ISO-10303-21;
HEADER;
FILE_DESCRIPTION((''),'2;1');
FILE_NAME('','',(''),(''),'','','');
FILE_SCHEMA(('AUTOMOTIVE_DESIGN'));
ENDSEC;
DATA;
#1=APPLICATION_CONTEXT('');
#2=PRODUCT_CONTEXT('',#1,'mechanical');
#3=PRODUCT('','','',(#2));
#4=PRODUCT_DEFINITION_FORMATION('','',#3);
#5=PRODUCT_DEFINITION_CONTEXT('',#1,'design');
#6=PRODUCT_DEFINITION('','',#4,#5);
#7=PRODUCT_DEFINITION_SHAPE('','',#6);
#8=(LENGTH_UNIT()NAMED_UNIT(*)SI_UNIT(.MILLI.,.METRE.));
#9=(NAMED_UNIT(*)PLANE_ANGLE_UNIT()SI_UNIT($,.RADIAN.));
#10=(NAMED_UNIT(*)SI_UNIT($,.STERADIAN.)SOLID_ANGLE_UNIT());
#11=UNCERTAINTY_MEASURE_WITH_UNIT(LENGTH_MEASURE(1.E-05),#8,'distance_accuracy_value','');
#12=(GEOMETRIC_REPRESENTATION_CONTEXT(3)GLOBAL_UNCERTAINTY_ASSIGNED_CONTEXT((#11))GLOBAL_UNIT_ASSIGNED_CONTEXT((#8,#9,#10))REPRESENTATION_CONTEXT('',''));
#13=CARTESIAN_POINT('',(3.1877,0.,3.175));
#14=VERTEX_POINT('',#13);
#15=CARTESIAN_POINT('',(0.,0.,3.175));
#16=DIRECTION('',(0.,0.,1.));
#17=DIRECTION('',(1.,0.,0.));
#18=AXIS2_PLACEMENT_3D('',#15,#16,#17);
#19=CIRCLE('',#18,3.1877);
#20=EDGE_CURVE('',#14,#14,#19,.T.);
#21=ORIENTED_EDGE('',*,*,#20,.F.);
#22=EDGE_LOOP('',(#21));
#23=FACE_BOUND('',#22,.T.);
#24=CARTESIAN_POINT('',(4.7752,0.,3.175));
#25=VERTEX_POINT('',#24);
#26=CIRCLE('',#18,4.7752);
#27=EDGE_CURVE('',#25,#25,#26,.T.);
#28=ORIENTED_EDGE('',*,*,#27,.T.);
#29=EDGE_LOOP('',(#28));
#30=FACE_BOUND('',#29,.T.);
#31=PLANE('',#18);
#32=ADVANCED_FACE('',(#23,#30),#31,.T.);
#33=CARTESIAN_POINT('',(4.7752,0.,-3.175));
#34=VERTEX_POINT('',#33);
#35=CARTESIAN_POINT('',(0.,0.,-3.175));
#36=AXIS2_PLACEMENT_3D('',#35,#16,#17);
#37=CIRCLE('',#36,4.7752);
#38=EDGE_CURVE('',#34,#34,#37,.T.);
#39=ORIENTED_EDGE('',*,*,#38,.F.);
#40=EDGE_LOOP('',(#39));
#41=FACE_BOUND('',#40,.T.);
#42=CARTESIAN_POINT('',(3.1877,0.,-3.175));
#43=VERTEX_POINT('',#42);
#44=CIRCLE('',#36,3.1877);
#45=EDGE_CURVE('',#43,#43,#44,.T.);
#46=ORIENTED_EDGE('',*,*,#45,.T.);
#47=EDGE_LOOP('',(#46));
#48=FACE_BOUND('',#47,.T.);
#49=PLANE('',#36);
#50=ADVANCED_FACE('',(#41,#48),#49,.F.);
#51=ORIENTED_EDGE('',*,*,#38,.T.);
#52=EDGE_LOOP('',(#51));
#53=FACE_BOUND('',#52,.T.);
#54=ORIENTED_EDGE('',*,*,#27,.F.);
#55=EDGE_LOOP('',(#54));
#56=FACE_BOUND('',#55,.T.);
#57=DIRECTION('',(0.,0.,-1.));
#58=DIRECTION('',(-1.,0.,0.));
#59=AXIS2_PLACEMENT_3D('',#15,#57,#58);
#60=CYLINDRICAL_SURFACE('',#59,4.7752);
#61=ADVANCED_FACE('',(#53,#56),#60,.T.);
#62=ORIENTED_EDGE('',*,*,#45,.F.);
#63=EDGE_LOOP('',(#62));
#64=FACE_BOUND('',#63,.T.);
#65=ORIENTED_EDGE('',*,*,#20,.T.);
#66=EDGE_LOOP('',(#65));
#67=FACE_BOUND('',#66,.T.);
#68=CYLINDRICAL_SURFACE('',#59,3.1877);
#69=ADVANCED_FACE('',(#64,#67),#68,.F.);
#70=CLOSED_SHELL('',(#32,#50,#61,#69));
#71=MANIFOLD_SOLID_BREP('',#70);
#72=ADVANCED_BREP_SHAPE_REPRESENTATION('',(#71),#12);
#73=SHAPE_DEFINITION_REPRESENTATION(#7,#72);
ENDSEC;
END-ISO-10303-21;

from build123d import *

# Parameters (mm, degrees)
SKETCH1_R      = 4.7752
SKETCH1_R_2    = 3.1877
EXTRUDE1_DEPTH = 3.175


with BuildPart() as part:
    # Sketch1 → Extrude1 (new body, symmetric)
    with BuildSketch(Plane.XY):
        Circle(SKETCH1_R)
        Circle(SKETCH1_R_2, mode=Mode.SUBTRACT)
    extrude(amount=EXTRUDE1_DEPTH, both=True)


solid = part.part
